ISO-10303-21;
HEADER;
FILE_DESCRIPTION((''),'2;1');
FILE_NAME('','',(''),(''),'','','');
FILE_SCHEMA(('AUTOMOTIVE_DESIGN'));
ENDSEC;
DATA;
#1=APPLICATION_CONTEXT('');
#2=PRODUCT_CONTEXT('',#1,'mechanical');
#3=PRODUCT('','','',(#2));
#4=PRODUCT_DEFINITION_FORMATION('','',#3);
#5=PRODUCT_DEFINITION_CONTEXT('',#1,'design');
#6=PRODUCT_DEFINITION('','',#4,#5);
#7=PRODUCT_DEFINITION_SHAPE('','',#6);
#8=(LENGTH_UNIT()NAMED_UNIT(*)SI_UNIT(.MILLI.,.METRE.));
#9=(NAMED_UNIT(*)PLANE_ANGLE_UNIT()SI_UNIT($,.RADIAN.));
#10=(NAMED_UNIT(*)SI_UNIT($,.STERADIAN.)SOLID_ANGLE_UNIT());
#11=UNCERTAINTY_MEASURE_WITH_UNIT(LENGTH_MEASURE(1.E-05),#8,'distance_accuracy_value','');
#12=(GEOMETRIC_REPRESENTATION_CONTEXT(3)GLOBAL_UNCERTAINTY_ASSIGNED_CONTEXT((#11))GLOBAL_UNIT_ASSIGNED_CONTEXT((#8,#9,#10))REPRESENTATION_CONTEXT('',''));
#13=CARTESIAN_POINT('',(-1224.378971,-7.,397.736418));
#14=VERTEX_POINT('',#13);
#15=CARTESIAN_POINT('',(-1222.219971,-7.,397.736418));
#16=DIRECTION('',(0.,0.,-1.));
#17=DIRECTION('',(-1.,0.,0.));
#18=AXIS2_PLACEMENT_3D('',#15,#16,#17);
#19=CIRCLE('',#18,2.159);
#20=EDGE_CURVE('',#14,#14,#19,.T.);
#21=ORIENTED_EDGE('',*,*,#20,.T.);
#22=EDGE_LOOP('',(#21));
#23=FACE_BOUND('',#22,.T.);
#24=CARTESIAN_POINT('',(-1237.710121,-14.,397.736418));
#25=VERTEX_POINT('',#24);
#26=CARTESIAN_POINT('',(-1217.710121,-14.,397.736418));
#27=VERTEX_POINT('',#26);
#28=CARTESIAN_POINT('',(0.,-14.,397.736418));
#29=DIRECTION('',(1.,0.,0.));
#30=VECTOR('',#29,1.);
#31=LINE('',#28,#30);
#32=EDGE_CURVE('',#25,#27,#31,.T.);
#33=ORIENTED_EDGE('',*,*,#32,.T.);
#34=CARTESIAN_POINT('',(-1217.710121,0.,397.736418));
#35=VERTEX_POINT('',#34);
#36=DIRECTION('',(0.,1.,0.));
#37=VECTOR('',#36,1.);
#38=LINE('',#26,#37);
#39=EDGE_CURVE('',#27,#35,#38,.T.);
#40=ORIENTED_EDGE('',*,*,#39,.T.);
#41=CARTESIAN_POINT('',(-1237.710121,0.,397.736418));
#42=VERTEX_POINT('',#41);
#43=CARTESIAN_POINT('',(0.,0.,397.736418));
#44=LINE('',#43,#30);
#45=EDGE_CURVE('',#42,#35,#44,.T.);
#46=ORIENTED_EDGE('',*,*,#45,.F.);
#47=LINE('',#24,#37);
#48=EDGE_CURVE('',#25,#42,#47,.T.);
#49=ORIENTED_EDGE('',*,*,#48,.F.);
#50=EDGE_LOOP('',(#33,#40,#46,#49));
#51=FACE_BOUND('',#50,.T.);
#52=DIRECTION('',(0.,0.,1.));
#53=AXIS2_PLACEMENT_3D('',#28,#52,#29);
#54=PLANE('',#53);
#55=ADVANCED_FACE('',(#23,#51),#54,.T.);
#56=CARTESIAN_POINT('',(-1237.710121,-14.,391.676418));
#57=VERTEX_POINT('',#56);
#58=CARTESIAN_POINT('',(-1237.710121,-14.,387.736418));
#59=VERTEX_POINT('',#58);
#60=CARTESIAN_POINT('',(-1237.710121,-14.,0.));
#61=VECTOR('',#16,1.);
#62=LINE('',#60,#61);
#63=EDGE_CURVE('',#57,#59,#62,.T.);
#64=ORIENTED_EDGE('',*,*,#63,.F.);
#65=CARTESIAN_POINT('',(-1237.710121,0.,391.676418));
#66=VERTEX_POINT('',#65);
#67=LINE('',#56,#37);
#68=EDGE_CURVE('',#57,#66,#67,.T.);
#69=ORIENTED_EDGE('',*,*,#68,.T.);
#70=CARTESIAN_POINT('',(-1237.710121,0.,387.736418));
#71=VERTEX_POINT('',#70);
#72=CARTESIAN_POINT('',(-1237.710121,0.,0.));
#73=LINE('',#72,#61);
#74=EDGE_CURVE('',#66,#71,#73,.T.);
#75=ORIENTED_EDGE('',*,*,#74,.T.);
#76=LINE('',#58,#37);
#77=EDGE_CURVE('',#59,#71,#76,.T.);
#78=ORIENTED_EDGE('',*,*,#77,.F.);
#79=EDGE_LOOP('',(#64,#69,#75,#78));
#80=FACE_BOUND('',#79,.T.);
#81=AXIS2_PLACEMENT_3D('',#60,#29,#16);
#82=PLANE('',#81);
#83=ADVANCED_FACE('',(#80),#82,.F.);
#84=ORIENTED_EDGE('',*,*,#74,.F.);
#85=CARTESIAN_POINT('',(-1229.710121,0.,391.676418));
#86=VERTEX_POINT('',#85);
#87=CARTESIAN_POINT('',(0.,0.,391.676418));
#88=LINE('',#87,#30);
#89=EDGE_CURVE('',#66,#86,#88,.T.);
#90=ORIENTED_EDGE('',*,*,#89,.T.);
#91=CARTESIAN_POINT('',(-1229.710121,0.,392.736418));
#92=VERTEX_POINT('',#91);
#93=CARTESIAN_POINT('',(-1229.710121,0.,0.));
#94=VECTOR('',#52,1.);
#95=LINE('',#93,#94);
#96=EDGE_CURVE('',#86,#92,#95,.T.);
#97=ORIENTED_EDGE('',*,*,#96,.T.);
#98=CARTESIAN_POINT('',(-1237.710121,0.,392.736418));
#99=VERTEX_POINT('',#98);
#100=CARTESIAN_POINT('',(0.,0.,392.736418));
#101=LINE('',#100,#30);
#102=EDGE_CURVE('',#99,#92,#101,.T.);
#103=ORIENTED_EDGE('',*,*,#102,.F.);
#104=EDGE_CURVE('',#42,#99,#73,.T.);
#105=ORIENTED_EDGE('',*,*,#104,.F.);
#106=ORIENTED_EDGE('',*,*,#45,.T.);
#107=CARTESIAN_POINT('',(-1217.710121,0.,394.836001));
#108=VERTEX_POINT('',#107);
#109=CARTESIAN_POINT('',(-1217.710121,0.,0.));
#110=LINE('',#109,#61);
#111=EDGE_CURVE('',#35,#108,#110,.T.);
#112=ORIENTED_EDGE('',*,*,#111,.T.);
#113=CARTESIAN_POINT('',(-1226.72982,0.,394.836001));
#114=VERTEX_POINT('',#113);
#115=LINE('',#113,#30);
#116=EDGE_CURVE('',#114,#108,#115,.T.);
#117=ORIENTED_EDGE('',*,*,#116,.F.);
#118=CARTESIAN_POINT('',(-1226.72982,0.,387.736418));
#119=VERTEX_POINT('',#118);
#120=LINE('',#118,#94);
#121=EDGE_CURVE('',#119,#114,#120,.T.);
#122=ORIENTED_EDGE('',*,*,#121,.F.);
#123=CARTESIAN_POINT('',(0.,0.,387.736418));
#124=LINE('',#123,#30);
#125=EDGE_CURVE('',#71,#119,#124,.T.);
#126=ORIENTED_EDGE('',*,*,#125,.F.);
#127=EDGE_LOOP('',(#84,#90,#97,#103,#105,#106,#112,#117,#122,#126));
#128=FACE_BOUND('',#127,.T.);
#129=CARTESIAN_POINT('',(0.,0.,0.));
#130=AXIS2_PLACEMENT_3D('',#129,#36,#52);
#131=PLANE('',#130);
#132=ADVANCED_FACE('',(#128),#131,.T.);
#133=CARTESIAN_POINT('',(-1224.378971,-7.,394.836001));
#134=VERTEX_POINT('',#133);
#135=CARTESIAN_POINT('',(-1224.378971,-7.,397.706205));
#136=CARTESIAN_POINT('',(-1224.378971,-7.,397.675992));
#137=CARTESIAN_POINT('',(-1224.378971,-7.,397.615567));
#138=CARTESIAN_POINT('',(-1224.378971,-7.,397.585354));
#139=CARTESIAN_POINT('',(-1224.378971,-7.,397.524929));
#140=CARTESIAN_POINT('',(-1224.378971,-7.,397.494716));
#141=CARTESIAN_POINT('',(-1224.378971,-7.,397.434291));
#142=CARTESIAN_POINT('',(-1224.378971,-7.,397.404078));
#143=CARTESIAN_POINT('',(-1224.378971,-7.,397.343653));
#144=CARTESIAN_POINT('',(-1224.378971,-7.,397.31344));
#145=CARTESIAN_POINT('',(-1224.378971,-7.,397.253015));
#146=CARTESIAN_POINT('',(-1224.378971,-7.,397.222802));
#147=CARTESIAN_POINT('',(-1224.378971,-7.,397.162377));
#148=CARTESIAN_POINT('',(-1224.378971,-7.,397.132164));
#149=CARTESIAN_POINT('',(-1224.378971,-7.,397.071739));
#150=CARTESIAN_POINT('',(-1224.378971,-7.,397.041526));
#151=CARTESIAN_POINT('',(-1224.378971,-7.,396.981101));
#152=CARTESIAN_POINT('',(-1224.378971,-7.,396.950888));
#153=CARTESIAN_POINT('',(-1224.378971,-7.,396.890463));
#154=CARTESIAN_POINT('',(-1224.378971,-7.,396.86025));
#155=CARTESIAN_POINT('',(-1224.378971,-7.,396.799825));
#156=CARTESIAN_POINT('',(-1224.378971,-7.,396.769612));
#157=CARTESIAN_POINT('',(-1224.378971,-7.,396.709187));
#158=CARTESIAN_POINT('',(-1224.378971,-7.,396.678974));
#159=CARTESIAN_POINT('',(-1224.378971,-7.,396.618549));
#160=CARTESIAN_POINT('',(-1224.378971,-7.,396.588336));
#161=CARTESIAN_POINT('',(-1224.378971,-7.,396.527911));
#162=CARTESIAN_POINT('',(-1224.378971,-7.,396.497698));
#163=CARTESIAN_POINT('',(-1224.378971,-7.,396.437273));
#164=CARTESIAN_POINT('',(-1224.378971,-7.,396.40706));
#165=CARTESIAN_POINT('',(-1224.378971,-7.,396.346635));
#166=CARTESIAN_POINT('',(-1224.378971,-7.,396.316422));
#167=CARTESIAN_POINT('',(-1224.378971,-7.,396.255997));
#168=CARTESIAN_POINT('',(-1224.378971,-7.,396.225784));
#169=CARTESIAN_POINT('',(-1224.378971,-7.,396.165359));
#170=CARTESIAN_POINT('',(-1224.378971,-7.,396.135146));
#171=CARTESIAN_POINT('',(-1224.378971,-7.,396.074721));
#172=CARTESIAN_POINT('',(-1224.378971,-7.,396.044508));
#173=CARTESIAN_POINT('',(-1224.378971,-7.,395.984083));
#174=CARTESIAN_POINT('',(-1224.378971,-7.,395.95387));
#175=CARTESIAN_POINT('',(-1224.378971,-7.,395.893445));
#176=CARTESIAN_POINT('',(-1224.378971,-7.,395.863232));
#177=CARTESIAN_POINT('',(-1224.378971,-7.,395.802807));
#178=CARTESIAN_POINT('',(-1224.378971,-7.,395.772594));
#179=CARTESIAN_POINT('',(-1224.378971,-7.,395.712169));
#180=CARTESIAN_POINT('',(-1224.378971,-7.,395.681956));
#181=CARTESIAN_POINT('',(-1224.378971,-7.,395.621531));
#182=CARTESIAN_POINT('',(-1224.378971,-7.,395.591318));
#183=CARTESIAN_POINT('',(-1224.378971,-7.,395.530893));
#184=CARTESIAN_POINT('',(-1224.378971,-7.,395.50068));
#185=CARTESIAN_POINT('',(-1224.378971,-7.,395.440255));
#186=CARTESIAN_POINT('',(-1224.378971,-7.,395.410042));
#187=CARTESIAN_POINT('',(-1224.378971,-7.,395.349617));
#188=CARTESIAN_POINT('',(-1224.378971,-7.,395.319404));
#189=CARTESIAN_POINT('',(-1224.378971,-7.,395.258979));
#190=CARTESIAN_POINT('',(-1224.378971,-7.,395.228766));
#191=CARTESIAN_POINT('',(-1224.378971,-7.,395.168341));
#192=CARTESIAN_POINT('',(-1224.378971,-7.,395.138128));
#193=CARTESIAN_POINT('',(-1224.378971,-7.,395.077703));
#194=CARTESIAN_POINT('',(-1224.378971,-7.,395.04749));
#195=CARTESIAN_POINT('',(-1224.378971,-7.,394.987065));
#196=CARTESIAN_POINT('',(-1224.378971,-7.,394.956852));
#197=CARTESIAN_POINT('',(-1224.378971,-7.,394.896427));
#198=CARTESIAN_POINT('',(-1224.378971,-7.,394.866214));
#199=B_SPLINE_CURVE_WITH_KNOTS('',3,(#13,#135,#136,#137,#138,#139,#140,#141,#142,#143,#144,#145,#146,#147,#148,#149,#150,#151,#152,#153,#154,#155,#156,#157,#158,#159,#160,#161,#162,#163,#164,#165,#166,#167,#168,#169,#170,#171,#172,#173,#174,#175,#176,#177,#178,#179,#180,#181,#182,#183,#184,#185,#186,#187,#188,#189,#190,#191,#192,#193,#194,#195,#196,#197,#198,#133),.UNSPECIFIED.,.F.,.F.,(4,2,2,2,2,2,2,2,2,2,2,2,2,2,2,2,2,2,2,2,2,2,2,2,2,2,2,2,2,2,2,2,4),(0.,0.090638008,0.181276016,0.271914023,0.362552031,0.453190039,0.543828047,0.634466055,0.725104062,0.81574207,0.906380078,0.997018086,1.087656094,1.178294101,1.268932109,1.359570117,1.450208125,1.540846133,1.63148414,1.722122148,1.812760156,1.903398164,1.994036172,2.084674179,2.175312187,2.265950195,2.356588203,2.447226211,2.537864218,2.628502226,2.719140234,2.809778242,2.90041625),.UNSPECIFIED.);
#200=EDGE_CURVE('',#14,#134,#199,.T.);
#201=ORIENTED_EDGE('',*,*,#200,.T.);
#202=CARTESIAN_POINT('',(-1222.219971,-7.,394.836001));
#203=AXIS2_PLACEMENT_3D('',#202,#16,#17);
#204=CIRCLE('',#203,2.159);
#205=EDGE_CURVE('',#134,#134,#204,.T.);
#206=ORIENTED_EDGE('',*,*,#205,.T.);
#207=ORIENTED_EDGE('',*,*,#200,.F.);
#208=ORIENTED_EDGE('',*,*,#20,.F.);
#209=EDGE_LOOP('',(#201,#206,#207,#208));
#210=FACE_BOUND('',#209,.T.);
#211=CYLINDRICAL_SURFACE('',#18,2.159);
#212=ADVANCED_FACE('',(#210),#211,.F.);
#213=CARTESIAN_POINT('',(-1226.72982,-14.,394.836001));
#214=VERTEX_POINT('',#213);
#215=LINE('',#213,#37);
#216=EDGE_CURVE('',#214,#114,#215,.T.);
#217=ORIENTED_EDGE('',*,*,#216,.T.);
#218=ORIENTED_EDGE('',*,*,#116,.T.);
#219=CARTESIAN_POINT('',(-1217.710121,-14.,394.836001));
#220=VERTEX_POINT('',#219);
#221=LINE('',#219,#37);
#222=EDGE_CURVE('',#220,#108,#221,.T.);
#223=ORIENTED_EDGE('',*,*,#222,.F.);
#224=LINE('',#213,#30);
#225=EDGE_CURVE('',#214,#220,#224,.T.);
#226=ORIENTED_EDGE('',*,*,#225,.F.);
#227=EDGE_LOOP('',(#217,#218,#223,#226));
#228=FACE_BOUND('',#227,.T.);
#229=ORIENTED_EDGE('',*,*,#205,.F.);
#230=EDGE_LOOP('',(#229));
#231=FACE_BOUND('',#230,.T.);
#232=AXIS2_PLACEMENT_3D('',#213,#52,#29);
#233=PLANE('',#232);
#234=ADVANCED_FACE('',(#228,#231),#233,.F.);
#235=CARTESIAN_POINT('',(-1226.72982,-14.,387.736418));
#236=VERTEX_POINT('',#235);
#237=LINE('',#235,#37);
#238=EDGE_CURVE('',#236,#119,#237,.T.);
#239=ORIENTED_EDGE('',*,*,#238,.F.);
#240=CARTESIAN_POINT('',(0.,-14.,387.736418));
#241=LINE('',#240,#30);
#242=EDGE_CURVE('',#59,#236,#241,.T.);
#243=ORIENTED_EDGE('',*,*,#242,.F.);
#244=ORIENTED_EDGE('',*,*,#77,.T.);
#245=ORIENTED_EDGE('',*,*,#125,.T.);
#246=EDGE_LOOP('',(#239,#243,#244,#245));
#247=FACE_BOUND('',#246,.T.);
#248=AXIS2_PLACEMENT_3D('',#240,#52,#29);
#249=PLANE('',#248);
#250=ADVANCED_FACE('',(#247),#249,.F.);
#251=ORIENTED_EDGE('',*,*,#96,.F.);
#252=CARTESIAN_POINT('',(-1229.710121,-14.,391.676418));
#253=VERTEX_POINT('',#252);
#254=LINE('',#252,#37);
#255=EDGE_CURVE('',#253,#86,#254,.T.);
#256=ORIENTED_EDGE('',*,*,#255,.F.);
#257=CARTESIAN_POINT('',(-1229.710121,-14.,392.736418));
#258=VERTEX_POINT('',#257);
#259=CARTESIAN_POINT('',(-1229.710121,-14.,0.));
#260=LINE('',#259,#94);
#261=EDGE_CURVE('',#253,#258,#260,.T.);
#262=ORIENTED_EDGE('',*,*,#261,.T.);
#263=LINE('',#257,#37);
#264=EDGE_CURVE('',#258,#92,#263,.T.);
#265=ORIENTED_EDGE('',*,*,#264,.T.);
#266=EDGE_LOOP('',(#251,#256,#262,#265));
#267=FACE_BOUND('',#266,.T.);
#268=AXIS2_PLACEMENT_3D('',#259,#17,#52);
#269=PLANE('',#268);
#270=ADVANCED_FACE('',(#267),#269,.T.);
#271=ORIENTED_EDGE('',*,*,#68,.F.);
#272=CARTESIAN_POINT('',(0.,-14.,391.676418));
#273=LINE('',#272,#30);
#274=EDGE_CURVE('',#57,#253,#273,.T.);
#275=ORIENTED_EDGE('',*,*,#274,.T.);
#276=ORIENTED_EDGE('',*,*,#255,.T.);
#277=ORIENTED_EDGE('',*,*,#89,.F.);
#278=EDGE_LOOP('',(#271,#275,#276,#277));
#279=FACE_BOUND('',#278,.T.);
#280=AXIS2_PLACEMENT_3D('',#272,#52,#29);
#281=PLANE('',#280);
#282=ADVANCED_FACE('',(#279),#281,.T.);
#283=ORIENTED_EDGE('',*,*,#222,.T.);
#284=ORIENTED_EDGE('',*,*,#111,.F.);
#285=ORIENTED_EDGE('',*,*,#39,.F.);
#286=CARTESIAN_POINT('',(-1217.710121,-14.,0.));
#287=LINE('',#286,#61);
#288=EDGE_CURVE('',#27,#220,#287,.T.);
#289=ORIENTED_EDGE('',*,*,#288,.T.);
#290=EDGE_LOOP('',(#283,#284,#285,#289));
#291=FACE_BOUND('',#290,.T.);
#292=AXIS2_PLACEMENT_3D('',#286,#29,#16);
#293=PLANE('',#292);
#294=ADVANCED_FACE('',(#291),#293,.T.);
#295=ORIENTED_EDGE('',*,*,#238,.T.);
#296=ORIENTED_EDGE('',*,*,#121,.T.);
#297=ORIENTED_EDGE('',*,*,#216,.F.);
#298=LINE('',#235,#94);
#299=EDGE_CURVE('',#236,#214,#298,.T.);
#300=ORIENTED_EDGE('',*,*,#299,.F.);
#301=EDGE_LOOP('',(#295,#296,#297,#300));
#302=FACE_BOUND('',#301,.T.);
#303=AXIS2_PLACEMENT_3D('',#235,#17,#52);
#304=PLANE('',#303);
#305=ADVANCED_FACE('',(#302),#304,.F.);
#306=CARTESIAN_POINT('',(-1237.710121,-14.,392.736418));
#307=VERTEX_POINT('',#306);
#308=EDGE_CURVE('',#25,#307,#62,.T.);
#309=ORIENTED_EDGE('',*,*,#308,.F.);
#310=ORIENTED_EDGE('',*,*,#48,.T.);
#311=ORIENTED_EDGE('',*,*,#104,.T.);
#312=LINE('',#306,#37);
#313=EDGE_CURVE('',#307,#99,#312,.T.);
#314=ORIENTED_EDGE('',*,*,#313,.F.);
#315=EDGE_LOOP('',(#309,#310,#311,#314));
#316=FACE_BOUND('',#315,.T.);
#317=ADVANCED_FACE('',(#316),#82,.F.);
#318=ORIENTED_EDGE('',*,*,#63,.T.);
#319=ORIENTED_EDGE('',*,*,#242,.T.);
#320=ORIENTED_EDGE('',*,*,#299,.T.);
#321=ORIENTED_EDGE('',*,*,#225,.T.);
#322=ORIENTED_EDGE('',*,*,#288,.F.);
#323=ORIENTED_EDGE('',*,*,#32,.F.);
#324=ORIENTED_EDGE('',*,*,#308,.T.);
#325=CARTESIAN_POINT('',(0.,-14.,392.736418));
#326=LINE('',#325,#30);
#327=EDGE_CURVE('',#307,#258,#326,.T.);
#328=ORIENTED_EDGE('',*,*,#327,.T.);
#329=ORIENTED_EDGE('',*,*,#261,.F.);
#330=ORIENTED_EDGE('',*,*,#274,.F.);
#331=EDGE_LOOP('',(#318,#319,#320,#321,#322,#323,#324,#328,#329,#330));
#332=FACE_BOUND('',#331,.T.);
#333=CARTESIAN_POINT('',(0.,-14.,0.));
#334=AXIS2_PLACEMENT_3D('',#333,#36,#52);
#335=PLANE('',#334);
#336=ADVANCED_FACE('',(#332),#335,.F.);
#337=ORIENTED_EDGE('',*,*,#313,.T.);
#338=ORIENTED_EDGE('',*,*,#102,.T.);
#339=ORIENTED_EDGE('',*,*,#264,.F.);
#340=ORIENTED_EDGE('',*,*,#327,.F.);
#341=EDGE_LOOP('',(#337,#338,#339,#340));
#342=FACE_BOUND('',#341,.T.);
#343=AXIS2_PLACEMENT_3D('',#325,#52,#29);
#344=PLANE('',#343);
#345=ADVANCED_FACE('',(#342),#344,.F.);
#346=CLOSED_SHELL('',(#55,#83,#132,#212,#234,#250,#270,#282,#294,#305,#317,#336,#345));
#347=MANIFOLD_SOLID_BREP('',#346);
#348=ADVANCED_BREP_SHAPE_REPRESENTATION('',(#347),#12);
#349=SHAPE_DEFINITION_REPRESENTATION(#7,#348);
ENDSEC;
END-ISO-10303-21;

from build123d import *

# Parameters (mm, degrees)
BOSS_EXTRUDE1_DEPTH = 14
SKETCH2_W           = 9.019698715
SKETCH2_H           = 7.099583751
CUT_EXTRUDE1_DEPTH  = 1301.121764584
SKETCH4_R           = 2.159
CUT_EXTRUDE2_DEPTH  = 1238.809657762


with BuildPart() as part:
    # Sketch1 → Boss-Extrude1 (new body)
    with BuildSketch(Plane(origin=(0, 0, 0), x_dir=(1, 0, 0), z_dir=(0, 1, 0))):
        Polygon((-1237.710121457, -392.736417727), (-1237.710121457, -397.736417727), (-1217.710121457, -397.736417727), (-1217.710121457, -387.736417727), (-1237.710121457, -387.736417727), (-1237.710121457, -391.676417727), (-1229.710121457, -391.676417727), (-1229.710121457, -392.736417727), align=None)
    extrude(amount=-BOSS_EXTRUDE1_DEPTH)

    # Sketch2 → Cut-Extrude1 (cut, through all)
    with BuildSketch(Plane(origin=(0, 0, 0), x_dir=(1, 0, 0), z_dir=(0, 1, 0))):
        with Locations((-1222.219970814, -391.286209602)):
            Rectangle(SKETCH2_W, SKETCH2_H)
    extrude(amount=-CUT_EXTRUDE1_DEPTH, mode=Mode.SUBTRACT)

    # Sketch4 → Cut-Extrude2 (cut, through all)
    with BuildSketch(Plane(origin=(0, 0, 394.836001478), x_dir=(-1, 0, 0), z_dir=(0, 0, -1))):
        with Locations((1222.219970815, -7)):
            Circle(SKETCH4_R)
    extrude(amount=-CUT_EXTRUDE2_DEPTH, mode=Mode.SUBTRACT)


solid = part.part
